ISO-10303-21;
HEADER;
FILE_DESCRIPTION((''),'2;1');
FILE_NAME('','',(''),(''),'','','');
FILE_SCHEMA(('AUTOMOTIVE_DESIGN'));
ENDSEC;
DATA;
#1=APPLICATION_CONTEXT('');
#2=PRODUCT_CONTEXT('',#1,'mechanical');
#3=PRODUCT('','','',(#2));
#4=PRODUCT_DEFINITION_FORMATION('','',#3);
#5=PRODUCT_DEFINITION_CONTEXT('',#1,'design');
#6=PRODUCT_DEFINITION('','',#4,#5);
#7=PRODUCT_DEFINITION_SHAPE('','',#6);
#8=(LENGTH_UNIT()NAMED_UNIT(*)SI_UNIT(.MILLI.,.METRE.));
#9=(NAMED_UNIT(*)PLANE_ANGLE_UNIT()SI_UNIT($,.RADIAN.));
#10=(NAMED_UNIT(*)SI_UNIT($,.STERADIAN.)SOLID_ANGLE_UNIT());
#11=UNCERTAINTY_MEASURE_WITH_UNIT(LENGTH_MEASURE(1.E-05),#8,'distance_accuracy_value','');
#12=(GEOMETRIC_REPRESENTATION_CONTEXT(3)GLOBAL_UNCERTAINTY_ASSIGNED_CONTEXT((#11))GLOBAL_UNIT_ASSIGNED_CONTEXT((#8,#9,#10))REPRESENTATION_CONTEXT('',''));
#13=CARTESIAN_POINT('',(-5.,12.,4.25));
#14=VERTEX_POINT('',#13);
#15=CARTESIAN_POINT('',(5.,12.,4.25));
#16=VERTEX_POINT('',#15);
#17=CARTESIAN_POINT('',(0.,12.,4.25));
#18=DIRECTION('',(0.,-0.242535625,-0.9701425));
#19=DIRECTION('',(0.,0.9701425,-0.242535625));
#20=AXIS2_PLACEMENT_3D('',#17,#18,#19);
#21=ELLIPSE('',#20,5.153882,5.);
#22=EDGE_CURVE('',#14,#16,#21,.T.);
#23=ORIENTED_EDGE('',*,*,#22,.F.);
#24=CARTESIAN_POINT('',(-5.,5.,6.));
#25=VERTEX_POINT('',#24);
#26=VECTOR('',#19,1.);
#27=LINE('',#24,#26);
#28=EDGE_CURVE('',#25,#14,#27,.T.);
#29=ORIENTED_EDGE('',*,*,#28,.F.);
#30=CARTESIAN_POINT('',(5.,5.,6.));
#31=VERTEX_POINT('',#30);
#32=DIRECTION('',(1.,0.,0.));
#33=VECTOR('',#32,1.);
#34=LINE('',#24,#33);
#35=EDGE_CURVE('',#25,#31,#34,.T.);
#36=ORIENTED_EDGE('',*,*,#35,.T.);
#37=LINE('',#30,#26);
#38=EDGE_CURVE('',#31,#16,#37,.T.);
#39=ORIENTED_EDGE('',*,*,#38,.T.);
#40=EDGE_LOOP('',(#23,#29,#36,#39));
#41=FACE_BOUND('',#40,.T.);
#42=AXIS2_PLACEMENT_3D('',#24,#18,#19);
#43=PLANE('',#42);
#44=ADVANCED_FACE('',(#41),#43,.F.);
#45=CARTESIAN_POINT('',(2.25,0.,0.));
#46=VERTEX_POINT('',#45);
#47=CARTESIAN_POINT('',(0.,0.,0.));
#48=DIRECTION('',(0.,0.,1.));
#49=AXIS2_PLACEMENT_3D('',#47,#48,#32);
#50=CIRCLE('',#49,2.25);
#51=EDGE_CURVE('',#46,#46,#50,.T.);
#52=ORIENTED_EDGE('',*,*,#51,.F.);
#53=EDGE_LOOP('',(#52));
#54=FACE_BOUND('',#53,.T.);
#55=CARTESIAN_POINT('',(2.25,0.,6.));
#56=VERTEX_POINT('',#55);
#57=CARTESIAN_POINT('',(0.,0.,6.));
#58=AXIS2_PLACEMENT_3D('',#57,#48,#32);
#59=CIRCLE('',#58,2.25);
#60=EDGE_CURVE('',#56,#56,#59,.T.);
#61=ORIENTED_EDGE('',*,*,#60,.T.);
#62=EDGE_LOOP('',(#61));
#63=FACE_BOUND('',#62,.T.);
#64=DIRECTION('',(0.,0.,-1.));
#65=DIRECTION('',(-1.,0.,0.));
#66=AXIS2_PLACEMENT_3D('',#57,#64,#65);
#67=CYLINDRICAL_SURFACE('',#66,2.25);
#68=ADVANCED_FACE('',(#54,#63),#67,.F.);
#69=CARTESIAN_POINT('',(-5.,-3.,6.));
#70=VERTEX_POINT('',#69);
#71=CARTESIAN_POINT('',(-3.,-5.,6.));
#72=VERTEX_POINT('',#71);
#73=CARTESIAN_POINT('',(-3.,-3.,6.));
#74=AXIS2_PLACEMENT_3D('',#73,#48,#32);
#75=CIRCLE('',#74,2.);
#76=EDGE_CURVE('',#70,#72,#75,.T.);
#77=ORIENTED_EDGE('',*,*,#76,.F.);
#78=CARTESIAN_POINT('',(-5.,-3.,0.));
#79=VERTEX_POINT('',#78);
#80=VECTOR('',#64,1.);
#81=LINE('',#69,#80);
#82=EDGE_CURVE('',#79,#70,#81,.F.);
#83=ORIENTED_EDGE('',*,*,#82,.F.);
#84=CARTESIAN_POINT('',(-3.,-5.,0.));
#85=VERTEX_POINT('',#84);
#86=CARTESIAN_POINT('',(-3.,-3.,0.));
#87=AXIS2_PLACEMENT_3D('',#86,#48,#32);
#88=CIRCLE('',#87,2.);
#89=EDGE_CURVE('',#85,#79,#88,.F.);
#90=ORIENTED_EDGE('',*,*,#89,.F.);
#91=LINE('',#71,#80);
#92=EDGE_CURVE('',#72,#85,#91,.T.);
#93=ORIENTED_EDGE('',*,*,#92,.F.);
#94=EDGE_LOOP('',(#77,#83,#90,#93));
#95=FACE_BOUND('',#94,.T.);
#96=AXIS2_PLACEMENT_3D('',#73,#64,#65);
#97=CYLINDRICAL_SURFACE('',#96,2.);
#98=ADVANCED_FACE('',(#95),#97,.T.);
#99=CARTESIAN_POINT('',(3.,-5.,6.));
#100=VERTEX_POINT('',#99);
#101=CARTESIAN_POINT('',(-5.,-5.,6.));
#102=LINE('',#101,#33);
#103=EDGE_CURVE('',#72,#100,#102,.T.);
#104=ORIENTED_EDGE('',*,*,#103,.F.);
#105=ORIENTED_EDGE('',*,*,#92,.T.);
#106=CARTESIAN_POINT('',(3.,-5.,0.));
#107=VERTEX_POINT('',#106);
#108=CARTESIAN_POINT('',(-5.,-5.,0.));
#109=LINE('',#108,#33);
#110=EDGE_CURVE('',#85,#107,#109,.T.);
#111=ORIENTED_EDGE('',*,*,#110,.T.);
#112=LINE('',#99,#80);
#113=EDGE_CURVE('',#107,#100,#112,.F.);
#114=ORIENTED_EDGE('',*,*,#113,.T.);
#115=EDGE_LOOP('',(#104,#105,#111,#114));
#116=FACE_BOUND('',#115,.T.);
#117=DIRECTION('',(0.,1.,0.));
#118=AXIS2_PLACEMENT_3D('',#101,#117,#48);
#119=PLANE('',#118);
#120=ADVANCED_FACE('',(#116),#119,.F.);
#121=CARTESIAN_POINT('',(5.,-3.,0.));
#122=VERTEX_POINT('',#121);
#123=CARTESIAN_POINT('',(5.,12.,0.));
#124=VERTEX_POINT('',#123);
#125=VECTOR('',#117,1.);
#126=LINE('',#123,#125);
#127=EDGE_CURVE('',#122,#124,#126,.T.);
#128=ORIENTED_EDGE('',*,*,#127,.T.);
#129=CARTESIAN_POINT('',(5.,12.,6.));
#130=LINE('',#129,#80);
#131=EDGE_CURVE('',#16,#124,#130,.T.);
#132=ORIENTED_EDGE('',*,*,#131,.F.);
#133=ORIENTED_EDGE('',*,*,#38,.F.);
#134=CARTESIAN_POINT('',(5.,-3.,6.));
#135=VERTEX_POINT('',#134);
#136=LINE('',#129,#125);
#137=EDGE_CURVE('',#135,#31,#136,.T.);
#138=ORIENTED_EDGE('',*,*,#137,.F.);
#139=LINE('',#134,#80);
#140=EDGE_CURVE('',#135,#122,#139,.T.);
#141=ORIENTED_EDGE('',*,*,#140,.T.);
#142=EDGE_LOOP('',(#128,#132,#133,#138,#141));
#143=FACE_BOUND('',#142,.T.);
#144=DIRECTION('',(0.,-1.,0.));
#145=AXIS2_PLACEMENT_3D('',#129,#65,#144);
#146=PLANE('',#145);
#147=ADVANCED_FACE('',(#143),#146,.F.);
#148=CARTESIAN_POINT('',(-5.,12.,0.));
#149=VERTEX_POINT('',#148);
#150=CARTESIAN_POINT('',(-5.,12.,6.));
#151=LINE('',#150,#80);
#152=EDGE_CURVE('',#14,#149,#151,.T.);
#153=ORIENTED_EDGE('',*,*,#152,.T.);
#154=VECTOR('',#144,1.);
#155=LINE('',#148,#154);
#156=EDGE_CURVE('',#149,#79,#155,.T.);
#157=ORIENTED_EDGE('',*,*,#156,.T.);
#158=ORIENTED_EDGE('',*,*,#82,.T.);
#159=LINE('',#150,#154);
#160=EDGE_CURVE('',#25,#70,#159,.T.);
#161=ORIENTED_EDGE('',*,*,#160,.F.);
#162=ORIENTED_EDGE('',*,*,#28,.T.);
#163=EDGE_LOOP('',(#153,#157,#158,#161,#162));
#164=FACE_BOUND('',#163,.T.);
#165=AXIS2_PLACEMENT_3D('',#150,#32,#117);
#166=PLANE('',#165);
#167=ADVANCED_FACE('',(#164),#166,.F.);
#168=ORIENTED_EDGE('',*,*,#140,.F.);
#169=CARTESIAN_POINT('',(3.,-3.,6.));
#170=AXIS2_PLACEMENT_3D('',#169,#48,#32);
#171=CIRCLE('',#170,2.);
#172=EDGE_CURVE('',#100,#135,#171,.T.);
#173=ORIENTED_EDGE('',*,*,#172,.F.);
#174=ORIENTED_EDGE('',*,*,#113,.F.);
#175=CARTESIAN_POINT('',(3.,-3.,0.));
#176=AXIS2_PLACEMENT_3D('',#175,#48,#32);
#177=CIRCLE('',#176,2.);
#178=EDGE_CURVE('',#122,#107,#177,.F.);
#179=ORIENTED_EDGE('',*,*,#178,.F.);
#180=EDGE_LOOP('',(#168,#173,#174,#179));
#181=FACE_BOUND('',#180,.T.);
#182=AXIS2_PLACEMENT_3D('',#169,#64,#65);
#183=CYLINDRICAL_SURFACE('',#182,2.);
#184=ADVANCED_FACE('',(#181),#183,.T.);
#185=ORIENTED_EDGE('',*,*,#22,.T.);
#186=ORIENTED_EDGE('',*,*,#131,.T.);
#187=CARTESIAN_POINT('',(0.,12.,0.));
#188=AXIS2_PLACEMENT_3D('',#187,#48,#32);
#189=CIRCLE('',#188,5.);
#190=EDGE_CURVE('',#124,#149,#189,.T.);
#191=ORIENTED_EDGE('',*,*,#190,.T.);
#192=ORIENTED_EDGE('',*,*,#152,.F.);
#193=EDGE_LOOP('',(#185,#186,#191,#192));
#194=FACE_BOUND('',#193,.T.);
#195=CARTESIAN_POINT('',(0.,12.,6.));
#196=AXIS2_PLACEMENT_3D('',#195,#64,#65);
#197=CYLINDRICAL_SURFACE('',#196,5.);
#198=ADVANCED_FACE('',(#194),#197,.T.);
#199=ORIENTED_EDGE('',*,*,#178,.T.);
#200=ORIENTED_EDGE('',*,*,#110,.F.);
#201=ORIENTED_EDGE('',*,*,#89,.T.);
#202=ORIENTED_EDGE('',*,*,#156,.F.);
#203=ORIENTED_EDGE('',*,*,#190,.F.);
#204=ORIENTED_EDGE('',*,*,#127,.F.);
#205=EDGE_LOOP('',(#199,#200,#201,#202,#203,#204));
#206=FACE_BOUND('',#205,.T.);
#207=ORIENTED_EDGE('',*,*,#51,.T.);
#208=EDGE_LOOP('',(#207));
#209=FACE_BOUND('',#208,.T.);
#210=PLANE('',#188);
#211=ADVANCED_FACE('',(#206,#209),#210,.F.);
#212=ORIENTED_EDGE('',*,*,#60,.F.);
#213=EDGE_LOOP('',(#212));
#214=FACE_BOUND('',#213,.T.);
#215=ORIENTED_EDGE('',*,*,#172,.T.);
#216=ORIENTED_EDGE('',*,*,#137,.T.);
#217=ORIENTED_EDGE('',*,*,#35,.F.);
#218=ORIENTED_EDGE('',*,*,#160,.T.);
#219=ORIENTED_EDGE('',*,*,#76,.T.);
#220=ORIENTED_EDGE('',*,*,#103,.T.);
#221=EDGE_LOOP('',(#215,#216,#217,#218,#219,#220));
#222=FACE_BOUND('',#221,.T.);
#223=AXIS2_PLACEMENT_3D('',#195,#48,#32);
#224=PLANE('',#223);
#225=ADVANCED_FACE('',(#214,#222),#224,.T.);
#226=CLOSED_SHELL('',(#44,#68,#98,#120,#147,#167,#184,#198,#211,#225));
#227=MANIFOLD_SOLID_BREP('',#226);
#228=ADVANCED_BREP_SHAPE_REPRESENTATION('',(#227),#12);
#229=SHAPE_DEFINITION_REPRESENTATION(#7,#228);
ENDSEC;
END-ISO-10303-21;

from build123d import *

# Parameters (mm, degrees)
SKETCH1_R           = 2.25
BOSS_EXTRUDE1_DEPTH = 6
CUT_EXTRUDE1_DEPTH  = 11
FILLET1_R           = 2


with BuildPart() as part:
    # Sketch1 → Boss-Extrude1 (new body)
    with BuildSketch(Plane.XY):
        with BuildLine():
            Line((-5, 12), (-5, -5))
            Line((-5, -5), (5, -5))
            Line((5, -5), (5, 12))
            ThreePointArc((5, 12), (0, 17), (-5, 12))
        make_face()
        Circle(SKETCH1_R, mode=Mode.SUBTRACT)
    extrude(amount=BOSS_EXTRUDE1_DEPTH)

    # Sketch2 → Cut-Extrude1 (cut, through all)
    with BuildSketch(Plane(origin=(5, 0, 0), x_dir=(0, 0, -1), z_dir=(1, 0, 0))):
        Polygon((-6, 5), (-3, 17), (-6, 17), align=None)
    extrude(amount=-CUT_EXTRUDE1_DEPTH, mode=Mode.SUBTRACT)

    # Fillet1
    fillet1_edges = [part.edges().sort_by_distance(p)[0] for p in [
        (5, -5, 3),
        (-5, -5, 3),
    ]]
    fillet(fillet1_edges, radius=FILLET1_R)


solid = part.part
